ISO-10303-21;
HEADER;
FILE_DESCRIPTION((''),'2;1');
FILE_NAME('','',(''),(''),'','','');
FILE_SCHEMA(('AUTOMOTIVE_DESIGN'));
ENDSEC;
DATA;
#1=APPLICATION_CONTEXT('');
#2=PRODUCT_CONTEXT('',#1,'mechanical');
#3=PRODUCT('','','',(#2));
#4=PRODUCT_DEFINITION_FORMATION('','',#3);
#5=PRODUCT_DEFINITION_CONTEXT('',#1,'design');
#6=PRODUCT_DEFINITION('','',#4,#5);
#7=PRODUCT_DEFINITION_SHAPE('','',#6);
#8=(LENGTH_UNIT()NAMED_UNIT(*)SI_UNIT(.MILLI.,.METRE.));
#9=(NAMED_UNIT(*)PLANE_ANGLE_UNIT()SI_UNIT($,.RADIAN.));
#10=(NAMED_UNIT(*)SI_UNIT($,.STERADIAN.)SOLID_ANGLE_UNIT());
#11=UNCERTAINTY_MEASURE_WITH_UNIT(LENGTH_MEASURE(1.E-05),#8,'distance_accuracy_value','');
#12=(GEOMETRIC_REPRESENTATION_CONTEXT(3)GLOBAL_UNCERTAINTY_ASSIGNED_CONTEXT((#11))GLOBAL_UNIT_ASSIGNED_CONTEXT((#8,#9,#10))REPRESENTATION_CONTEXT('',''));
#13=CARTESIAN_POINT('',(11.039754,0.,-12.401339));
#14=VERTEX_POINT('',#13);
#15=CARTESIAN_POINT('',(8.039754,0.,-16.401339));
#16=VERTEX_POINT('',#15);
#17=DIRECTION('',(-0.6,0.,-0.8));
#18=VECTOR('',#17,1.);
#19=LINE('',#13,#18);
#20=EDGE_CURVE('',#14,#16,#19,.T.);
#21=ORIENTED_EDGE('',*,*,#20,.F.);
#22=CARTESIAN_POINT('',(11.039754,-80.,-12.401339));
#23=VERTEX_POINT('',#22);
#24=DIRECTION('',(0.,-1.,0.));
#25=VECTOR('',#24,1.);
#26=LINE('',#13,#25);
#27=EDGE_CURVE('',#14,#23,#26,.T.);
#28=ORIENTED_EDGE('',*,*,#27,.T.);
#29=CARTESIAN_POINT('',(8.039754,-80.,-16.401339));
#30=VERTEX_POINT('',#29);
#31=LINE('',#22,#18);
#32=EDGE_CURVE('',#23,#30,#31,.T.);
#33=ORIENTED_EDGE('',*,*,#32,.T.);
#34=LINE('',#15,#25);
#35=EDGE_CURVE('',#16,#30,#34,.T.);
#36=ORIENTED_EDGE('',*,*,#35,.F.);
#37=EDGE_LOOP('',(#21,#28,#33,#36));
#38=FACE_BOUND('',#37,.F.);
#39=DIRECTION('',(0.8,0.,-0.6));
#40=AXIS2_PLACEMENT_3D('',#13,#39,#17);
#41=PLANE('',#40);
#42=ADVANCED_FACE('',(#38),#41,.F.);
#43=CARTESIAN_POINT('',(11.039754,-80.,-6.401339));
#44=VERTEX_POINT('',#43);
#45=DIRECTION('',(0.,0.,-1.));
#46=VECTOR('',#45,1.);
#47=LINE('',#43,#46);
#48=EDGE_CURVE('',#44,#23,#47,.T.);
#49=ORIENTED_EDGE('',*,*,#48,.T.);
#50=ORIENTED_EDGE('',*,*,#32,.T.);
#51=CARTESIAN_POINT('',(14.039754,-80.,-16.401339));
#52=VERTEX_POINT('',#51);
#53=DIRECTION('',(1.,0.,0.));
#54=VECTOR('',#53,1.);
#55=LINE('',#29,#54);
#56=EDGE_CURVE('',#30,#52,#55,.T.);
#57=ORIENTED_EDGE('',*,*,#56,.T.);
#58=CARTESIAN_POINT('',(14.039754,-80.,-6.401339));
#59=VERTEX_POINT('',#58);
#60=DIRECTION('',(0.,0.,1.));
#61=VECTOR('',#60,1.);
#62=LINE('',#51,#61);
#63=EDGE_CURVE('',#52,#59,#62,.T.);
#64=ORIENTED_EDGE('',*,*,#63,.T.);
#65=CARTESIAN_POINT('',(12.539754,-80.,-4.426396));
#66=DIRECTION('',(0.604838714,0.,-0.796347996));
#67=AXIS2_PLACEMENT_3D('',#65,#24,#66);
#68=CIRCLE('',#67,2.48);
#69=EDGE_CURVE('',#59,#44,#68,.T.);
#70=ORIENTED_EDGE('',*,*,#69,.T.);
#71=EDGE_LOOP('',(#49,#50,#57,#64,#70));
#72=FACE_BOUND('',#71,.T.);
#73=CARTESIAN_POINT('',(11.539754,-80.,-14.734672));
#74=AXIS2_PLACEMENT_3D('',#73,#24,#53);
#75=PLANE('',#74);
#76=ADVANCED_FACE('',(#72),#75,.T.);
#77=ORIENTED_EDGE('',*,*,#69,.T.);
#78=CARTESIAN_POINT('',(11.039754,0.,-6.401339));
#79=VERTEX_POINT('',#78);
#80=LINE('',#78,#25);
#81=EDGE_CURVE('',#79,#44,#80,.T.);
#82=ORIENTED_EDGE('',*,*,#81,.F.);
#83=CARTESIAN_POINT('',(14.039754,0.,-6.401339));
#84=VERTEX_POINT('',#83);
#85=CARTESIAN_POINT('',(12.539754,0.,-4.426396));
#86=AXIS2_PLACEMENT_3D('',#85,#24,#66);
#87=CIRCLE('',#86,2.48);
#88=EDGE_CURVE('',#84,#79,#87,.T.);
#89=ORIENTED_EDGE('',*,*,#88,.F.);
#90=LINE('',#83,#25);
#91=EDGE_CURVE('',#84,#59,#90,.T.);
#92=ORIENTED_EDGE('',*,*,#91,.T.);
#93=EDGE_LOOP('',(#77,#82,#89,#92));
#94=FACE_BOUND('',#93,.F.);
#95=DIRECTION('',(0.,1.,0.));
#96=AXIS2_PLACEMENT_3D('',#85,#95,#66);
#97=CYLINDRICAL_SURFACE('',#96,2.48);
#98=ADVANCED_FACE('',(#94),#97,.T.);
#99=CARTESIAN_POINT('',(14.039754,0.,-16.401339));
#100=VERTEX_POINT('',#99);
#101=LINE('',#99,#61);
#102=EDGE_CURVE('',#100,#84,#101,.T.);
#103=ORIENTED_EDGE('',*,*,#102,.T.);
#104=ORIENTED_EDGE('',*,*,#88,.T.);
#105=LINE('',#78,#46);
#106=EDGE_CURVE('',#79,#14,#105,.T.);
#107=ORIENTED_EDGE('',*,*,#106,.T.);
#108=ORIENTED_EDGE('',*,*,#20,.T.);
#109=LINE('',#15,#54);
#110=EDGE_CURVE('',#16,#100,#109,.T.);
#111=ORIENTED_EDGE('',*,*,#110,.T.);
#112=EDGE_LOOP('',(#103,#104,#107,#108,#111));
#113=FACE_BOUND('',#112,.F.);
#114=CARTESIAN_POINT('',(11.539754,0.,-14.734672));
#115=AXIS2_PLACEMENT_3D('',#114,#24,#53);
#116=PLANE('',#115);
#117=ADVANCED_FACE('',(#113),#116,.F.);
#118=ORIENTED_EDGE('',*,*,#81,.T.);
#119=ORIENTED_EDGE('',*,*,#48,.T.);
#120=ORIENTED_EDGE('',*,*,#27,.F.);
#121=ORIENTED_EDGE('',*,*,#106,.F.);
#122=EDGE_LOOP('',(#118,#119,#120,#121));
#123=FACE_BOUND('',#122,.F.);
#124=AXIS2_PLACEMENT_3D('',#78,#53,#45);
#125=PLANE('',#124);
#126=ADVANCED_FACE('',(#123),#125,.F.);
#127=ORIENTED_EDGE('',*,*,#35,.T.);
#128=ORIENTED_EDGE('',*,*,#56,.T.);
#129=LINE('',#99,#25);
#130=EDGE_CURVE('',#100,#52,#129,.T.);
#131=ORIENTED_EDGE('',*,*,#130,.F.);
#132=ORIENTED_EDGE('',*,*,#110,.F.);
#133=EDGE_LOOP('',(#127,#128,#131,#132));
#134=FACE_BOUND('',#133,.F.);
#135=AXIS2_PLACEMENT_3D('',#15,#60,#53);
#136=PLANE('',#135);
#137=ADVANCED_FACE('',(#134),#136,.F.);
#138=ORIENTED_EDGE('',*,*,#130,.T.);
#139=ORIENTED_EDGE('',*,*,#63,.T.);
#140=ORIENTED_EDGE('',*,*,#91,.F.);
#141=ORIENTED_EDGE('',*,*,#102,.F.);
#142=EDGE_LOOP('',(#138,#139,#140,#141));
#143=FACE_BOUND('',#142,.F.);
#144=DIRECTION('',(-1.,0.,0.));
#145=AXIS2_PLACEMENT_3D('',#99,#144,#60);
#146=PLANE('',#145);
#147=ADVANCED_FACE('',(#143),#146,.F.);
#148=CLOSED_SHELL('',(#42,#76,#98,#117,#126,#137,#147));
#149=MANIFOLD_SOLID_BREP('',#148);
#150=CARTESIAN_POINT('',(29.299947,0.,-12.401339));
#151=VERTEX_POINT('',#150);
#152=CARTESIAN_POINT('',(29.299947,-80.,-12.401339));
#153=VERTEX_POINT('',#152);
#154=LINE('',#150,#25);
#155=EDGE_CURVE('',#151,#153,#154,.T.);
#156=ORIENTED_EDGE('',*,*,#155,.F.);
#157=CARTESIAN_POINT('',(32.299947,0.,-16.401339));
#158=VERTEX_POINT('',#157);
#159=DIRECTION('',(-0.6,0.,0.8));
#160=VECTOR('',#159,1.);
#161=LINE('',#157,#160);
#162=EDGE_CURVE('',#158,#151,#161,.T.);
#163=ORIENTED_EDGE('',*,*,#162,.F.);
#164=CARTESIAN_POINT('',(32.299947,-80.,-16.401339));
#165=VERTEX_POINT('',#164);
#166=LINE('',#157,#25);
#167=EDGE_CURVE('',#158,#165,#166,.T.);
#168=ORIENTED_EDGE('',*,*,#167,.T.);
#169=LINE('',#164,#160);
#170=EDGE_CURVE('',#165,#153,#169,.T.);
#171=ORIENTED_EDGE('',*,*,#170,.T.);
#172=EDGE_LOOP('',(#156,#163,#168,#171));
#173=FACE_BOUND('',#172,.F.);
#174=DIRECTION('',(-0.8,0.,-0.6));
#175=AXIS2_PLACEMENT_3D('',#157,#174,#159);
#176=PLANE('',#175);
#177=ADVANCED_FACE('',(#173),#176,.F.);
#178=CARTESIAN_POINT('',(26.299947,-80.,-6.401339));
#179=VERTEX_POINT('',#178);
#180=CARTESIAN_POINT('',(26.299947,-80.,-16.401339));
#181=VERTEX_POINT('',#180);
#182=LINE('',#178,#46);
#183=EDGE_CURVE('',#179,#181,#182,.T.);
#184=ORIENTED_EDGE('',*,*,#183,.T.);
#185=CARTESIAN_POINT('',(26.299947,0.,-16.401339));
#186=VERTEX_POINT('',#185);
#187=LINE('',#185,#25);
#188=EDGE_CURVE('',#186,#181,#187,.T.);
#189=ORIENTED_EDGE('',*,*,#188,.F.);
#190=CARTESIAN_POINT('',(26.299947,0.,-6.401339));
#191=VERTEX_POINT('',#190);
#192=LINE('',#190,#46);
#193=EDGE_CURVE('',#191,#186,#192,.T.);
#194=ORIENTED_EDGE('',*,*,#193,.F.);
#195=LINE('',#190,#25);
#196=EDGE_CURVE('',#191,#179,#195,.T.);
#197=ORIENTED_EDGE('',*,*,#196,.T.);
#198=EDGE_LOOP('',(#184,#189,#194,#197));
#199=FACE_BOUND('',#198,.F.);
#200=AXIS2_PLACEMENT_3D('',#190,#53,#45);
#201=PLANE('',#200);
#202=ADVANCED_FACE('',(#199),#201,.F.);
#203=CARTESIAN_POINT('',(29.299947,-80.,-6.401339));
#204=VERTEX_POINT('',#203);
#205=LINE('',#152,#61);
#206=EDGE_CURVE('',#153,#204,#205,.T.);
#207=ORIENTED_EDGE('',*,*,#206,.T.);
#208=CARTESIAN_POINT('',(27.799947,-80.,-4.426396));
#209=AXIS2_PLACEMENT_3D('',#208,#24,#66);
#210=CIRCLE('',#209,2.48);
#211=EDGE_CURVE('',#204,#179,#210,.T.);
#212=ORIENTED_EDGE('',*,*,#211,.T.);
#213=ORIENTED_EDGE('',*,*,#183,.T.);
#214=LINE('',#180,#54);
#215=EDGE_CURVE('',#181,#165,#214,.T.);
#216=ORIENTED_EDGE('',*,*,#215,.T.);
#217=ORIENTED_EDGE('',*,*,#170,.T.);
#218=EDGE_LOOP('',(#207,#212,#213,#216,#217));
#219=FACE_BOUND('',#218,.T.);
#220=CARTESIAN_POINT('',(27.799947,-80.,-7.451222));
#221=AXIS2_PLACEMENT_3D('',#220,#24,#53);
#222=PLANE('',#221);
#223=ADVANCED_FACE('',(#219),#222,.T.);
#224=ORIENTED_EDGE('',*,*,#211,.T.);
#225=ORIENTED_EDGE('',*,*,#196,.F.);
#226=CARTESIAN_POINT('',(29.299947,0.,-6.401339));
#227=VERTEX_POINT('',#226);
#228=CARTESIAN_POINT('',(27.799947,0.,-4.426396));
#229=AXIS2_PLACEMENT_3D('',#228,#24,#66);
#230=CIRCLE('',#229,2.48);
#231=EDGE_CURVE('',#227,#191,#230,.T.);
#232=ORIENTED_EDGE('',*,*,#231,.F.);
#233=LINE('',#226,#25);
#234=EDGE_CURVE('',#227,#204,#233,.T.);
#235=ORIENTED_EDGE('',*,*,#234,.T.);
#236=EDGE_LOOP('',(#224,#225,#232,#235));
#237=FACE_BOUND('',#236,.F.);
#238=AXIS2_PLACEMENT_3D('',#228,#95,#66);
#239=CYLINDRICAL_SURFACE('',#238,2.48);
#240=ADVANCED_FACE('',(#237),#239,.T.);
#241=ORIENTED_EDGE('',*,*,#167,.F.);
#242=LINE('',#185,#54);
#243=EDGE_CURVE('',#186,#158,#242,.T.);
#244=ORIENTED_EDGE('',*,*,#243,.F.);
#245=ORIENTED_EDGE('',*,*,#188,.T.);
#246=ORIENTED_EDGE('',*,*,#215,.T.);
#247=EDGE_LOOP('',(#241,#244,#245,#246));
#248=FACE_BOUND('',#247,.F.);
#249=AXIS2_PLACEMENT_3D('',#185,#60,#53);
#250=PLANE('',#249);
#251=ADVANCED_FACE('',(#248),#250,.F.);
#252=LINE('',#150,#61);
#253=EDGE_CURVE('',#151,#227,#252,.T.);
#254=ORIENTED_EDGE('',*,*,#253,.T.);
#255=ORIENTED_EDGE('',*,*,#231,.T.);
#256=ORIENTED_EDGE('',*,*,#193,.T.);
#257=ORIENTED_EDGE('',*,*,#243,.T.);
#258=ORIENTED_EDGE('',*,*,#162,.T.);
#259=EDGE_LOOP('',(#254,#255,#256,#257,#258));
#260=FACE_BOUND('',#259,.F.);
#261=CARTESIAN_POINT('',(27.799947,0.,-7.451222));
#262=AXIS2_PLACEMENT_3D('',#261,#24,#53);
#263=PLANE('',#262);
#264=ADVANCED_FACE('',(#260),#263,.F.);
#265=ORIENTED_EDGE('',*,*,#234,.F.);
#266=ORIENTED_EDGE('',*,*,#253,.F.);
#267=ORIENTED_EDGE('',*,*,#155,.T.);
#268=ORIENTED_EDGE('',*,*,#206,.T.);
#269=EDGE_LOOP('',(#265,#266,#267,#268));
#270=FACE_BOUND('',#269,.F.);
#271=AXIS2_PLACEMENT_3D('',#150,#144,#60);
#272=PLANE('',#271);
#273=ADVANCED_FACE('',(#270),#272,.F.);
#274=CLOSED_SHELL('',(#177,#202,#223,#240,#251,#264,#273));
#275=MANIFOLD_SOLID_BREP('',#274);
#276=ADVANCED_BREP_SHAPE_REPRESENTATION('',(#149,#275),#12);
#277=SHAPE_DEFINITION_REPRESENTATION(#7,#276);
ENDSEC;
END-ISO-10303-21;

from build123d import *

# Parameters (mm, degrees)
F1_DEPTH = 80


with BuildPart() as f1:
    # F0 (on Front) → F1 (new body)
    with BuildSketch(Plane.XZ):
        Polygon((14.039754, -16.401339), (14.039754, -12.401339), (11.039754, -12.401339), (8.039754, -16.401339), align=None)
        with BuildLine():
            ThreePointArc((29.299947, -6.401339), (27.799947, -1.946396), (26.299947, -6.401339))
            Line((26.299947, -6.401339), (26.299947, -12.401339))
            Line((26.299947, -12.401339), (29.299947, -12.401339))
            Line((29.299947, -12.401339), (29.299947, -6.401339))
        make_face()
        Polygon((29.299947, -12.401339), (26.299947, -12.401339), (26.299947, -16.401339), (32.299947, -16.401339), align=None)
        with BuildLine():
            Line((14.039754, -12.401339), (14.039754, -6.401339))
            ThreePointArc((14.039754, -6.401339), (12.539754, -1.946396), (11.039754, -6.401339))
            Line((11.039754, -6.401339), (11.039754, -12.401339))
            Line((11.039754, -12.401339), (14.039754, -12.401339))
        make_face()
    extrude(amount=F1_DEPTH)


solid = f1.part
